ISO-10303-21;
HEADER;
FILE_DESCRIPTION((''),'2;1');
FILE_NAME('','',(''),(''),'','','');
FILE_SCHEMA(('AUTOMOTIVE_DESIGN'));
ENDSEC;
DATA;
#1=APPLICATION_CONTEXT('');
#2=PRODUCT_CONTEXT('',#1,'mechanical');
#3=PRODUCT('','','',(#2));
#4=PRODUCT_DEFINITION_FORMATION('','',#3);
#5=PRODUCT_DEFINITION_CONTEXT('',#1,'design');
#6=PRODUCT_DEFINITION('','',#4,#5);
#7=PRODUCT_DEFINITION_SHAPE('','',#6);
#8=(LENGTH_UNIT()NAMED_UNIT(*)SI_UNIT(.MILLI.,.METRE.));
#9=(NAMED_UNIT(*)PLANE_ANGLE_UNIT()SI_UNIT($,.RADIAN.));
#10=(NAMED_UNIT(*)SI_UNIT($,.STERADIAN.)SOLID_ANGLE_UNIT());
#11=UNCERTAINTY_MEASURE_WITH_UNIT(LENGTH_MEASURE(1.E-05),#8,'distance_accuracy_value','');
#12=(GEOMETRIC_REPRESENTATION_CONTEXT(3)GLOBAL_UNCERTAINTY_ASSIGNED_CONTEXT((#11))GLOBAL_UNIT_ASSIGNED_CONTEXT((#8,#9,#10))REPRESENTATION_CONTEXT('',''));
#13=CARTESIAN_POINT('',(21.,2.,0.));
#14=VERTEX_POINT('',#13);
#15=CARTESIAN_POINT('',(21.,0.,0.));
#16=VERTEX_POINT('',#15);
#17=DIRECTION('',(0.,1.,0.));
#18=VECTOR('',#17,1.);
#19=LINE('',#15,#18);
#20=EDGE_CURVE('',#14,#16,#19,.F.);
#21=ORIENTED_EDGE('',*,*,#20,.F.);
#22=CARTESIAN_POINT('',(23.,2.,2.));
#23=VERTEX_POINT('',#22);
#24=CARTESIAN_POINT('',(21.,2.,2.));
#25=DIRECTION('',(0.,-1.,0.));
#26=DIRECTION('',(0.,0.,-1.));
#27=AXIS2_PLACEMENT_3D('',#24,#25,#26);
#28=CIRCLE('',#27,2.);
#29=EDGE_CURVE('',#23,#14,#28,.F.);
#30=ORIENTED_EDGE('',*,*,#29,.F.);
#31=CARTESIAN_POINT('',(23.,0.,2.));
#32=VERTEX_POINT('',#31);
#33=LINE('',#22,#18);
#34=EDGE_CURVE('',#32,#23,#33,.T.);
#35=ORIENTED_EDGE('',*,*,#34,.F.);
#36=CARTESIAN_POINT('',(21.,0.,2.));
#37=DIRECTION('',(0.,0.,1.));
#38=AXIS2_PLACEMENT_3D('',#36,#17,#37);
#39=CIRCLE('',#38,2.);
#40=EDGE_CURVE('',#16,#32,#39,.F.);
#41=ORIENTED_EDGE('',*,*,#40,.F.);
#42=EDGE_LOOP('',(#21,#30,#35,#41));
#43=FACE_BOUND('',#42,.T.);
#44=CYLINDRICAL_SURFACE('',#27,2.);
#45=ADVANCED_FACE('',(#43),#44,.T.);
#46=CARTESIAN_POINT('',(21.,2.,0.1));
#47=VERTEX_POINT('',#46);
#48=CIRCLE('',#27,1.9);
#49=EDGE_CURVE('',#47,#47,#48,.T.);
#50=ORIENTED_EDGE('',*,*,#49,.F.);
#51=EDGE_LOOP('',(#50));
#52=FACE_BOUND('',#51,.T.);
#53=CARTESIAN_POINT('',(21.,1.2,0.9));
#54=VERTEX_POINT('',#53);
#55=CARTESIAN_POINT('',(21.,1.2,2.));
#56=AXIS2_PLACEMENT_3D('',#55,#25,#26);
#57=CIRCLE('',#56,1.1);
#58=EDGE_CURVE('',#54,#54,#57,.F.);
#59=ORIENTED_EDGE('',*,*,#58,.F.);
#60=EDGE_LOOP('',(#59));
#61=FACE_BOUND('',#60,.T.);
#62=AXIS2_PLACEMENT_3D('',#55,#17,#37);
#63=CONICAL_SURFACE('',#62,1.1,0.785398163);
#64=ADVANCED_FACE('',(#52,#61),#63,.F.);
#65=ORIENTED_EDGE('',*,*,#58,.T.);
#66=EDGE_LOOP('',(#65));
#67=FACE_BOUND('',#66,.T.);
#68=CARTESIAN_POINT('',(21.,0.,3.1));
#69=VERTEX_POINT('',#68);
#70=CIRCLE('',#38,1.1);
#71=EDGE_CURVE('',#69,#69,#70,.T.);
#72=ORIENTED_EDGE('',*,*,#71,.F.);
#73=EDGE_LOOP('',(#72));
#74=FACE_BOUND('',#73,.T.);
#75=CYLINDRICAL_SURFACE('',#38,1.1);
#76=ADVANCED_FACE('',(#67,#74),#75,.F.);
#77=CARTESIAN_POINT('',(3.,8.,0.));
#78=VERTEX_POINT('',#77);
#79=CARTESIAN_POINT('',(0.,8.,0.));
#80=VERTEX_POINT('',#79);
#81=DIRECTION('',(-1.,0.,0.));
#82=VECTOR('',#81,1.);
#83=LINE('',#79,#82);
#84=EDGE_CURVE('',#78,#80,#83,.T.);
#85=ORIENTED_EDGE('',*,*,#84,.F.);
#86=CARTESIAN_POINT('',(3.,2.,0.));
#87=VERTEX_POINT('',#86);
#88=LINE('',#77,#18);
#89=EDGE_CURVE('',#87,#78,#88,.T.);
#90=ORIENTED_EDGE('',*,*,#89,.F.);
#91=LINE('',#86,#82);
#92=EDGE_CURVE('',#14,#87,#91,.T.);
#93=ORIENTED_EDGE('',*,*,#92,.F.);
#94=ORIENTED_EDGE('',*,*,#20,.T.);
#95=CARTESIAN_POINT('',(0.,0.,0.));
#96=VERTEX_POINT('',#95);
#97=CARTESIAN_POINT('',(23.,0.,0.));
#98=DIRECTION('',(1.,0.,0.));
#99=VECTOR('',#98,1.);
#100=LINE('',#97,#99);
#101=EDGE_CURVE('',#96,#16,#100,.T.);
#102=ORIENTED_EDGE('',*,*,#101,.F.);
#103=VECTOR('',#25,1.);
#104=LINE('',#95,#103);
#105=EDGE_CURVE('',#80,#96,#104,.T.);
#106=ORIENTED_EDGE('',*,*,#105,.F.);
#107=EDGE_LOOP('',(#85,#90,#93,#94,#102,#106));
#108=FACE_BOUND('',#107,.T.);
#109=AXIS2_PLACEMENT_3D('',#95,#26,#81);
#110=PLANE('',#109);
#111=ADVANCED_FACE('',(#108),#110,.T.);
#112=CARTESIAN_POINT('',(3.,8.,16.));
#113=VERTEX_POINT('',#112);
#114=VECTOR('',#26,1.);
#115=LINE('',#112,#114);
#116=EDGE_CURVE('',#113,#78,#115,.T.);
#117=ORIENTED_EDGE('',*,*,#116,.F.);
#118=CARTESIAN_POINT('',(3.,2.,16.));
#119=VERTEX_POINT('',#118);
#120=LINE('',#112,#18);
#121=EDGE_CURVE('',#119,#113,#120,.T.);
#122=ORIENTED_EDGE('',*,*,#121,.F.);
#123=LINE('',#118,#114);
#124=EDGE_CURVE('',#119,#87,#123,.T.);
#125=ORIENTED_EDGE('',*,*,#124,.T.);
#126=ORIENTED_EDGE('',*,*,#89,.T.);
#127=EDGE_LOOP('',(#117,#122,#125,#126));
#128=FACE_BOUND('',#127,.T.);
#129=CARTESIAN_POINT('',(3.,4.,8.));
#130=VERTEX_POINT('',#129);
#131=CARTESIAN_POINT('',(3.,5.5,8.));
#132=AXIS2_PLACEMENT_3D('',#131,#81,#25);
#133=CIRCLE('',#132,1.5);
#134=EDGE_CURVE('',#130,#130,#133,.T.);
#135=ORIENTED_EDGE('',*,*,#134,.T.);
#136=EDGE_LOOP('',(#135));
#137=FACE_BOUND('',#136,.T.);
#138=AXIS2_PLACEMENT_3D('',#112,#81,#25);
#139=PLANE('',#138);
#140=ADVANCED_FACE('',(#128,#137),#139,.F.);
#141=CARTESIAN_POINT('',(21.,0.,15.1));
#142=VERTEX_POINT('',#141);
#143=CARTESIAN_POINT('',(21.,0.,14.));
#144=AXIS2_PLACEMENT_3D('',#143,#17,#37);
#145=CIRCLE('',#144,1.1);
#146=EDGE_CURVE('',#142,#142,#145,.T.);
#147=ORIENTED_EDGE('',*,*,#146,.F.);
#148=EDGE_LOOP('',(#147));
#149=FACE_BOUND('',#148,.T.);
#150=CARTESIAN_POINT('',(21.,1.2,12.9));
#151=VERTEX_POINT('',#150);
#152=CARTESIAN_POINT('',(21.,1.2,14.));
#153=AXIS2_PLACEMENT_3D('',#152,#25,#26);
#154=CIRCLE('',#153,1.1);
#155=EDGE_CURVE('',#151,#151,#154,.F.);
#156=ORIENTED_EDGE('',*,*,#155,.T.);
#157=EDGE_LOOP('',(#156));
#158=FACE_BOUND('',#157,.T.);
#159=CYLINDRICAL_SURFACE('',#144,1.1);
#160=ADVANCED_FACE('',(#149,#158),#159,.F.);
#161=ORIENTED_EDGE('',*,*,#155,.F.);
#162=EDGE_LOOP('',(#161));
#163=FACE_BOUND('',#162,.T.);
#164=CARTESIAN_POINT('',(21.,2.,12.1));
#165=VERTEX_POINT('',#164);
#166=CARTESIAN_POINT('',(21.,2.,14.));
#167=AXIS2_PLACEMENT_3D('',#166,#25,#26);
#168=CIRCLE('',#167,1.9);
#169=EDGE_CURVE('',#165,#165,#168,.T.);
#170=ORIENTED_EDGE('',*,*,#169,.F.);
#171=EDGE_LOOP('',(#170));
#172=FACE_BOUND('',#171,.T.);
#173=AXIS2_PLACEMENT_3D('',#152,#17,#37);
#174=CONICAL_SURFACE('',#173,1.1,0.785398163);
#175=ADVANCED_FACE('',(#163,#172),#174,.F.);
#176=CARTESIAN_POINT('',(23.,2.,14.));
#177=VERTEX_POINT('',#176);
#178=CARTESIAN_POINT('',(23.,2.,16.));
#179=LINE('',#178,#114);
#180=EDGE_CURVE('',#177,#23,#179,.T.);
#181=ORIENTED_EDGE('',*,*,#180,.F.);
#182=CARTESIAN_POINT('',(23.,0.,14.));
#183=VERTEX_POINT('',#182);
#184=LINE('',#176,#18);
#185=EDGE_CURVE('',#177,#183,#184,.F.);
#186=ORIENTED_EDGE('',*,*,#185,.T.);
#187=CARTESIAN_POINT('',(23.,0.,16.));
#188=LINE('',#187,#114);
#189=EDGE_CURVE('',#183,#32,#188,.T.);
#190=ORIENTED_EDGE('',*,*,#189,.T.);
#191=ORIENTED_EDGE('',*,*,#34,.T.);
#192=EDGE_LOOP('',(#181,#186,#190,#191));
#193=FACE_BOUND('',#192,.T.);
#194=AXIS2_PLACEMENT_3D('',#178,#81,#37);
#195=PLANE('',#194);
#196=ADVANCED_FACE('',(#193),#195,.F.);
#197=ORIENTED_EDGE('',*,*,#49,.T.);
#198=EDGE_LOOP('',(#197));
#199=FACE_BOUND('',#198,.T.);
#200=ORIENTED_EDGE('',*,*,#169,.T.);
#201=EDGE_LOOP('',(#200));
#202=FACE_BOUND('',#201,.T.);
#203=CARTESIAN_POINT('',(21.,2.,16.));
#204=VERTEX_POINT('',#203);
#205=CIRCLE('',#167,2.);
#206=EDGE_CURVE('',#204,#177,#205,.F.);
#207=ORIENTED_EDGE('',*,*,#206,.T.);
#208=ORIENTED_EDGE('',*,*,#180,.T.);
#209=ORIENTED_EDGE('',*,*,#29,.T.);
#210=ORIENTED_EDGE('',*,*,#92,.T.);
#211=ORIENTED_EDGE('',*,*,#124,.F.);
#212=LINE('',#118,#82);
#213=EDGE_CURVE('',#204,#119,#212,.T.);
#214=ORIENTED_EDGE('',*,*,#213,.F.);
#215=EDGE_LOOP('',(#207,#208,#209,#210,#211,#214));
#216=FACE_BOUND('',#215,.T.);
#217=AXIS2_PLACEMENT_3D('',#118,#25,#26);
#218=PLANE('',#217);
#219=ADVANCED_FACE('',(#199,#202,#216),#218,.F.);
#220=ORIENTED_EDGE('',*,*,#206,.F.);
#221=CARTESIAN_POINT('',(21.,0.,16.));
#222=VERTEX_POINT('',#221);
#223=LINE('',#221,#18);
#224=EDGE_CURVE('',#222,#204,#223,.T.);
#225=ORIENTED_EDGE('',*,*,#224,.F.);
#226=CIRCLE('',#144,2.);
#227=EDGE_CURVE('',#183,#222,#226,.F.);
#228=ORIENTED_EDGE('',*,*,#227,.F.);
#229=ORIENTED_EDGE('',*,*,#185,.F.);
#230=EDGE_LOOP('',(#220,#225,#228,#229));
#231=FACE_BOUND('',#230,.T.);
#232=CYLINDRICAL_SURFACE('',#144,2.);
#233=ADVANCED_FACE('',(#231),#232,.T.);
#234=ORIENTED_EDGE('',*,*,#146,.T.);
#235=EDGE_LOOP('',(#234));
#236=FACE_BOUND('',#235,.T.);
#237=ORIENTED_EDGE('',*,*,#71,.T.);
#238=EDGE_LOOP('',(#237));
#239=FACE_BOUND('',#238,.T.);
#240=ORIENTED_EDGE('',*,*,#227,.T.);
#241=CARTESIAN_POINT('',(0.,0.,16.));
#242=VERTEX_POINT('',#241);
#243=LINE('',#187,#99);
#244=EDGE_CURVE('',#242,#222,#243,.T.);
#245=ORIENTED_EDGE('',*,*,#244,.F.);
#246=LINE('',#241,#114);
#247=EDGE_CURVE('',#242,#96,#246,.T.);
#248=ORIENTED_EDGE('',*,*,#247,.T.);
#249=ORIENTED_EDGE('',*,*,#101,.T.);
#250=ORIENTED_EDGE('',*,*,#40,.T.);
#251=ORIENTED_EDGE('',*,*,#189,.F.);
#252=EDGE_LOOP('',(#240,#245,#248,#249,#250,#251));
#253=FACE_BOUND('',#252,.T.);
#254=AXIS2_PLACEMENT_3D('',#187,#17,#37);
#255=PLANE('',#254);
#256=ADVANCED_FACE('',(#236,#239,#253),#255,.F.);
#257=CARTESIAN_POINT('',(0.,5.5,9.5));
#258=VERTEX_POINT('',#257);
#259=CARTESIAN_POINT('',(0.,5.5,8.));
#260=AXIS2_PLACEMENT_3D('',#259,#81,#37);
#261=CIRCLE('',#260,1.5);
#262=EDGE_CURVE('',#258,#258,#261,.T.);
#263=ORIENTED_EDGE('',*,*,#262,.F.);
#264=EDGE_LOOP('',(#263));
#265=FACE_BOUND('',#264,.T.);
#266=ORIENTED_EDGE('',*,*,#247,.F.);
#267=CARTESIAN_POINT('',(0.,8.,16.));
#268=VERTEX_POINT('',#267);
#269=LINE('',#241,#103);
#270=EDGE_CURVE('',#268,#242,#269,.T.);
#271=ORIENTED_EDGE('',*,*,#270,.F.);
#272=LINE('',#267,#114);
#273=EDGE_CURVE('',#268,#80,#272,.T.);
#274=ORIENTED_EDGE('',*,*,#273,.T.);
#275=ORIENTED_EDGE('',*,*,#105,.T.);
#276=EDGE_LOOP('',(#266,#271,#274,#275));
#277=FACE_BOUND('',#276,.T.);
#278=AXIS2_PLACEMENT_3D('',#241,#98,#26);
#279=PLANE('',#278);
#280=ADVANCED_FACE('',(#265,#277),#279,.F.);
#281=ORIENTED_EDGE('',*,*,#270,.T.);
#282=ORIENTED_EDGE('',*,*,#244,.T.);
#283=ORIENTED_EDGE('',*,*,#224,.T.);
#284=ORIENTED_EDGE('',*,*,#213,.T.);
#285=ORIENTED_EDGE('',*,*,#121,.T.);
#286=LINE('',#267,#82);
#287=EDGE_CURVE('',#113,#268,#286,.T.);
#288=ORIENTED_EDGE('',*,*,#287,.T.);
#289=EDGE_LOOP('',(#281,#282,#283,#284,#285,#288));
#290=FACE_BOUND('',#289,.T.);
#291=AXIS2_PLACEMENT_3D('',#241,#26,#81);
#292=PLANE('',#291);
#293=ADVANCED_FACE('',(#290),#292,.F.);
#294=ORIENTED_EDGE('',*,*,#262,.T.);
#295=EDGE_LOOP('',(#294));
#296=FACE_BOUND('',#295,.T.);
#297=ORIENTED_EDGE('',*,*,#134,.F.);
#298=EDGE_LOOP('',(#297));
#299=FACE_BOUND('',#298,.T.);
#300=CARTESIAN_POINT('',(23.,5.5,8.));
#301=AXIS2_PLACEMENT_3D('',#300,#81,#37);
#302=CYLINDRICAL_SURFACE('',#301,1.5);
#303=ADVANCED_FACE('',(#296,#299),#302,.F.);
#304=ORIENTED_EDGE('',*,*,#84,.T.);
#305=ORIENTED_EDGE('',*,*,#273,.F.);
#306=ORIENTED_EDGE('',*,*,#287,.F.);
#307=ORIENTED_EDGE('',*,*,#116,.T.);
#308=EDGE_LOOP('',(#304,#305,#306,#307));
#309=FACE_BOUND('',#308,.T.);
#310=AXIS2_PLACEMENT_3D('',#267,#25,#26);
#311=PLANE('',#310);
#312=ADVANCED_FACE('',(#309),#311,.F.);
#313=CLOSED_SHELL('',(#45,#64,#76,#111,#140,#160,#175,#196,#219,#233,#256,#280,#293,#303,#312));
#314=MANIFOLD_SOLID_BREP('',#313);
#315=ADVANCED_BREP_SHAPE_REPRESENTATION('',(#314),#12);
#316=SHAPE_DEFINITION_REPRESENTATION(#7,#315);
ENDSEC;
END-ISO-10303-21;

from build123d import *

# Parameters (mm, degrees)
BOSS_EXTRUDE1_DEPTH = 16
SKETCH2_R           = 1.1
CUT_EXTRUDE1_DEPTH  = 2
SKETCH3_R           = 1.5
CUT_EXTRUDE2_DEPTH  = 24
CHAMFER1_SIZE       = 0.8
FILLET1_R           = 2


with BuildPart() as part:
    # Sketch1 → Boss-Extrude1 (new body)
    with BuildSketch(Plane.XY):
        Polygon((0, 0), (0, 8), (3, 8), (3, 2), (23, 2), (23, 0), align=None)
    extrude(amount=BOSS_EXTRUDE1_DEPTH)

    # Sketch2 → Cut-Extrude1 (cut)
    with BuildSketch(Plane(origin=(0, 2, 0), x_dir=(1, 0, 0), z_dir=(0, 1, 0))):
        with Locations((21, -2)):
            Circle(SKETCH2_R)
        with Locations((21, -14)):
            Circle(SKETCH2_R)
    extrude(amount=-CUT_EXTRUDE1_DEPTH, mode=Mode.SUBTRACT)

    # Sketch3 → Cut-Extrude2 (cut, through all)
    with BuildSketch(Plane.ZY):
        with Locations((8, 5.5)):
            Circle(SKETCH3_R)
    extrude(amount=-CUT_EXTRUDE2_DEPTH, mode=Mode.SUBTRACT)

    # Chamfer1
    chamfer1_edges = [part.edges().sort_by_distance(p)[0] for p in [
        (19.9, 2, 2),
        (19.9, 2, 14),
    ]]
    chamfer(chamfer1_edges, length=CHAMFER1_SIZE)

    # Fillet1
    fillet1_edges = [part.edges().sort_by_distance(p)[0] for p in [
        (23, 1, 16),
        (23, 1, 0),
    ]]
    fillet(fillet1_edges, radius=FILLET1_R)


solid = part.part
